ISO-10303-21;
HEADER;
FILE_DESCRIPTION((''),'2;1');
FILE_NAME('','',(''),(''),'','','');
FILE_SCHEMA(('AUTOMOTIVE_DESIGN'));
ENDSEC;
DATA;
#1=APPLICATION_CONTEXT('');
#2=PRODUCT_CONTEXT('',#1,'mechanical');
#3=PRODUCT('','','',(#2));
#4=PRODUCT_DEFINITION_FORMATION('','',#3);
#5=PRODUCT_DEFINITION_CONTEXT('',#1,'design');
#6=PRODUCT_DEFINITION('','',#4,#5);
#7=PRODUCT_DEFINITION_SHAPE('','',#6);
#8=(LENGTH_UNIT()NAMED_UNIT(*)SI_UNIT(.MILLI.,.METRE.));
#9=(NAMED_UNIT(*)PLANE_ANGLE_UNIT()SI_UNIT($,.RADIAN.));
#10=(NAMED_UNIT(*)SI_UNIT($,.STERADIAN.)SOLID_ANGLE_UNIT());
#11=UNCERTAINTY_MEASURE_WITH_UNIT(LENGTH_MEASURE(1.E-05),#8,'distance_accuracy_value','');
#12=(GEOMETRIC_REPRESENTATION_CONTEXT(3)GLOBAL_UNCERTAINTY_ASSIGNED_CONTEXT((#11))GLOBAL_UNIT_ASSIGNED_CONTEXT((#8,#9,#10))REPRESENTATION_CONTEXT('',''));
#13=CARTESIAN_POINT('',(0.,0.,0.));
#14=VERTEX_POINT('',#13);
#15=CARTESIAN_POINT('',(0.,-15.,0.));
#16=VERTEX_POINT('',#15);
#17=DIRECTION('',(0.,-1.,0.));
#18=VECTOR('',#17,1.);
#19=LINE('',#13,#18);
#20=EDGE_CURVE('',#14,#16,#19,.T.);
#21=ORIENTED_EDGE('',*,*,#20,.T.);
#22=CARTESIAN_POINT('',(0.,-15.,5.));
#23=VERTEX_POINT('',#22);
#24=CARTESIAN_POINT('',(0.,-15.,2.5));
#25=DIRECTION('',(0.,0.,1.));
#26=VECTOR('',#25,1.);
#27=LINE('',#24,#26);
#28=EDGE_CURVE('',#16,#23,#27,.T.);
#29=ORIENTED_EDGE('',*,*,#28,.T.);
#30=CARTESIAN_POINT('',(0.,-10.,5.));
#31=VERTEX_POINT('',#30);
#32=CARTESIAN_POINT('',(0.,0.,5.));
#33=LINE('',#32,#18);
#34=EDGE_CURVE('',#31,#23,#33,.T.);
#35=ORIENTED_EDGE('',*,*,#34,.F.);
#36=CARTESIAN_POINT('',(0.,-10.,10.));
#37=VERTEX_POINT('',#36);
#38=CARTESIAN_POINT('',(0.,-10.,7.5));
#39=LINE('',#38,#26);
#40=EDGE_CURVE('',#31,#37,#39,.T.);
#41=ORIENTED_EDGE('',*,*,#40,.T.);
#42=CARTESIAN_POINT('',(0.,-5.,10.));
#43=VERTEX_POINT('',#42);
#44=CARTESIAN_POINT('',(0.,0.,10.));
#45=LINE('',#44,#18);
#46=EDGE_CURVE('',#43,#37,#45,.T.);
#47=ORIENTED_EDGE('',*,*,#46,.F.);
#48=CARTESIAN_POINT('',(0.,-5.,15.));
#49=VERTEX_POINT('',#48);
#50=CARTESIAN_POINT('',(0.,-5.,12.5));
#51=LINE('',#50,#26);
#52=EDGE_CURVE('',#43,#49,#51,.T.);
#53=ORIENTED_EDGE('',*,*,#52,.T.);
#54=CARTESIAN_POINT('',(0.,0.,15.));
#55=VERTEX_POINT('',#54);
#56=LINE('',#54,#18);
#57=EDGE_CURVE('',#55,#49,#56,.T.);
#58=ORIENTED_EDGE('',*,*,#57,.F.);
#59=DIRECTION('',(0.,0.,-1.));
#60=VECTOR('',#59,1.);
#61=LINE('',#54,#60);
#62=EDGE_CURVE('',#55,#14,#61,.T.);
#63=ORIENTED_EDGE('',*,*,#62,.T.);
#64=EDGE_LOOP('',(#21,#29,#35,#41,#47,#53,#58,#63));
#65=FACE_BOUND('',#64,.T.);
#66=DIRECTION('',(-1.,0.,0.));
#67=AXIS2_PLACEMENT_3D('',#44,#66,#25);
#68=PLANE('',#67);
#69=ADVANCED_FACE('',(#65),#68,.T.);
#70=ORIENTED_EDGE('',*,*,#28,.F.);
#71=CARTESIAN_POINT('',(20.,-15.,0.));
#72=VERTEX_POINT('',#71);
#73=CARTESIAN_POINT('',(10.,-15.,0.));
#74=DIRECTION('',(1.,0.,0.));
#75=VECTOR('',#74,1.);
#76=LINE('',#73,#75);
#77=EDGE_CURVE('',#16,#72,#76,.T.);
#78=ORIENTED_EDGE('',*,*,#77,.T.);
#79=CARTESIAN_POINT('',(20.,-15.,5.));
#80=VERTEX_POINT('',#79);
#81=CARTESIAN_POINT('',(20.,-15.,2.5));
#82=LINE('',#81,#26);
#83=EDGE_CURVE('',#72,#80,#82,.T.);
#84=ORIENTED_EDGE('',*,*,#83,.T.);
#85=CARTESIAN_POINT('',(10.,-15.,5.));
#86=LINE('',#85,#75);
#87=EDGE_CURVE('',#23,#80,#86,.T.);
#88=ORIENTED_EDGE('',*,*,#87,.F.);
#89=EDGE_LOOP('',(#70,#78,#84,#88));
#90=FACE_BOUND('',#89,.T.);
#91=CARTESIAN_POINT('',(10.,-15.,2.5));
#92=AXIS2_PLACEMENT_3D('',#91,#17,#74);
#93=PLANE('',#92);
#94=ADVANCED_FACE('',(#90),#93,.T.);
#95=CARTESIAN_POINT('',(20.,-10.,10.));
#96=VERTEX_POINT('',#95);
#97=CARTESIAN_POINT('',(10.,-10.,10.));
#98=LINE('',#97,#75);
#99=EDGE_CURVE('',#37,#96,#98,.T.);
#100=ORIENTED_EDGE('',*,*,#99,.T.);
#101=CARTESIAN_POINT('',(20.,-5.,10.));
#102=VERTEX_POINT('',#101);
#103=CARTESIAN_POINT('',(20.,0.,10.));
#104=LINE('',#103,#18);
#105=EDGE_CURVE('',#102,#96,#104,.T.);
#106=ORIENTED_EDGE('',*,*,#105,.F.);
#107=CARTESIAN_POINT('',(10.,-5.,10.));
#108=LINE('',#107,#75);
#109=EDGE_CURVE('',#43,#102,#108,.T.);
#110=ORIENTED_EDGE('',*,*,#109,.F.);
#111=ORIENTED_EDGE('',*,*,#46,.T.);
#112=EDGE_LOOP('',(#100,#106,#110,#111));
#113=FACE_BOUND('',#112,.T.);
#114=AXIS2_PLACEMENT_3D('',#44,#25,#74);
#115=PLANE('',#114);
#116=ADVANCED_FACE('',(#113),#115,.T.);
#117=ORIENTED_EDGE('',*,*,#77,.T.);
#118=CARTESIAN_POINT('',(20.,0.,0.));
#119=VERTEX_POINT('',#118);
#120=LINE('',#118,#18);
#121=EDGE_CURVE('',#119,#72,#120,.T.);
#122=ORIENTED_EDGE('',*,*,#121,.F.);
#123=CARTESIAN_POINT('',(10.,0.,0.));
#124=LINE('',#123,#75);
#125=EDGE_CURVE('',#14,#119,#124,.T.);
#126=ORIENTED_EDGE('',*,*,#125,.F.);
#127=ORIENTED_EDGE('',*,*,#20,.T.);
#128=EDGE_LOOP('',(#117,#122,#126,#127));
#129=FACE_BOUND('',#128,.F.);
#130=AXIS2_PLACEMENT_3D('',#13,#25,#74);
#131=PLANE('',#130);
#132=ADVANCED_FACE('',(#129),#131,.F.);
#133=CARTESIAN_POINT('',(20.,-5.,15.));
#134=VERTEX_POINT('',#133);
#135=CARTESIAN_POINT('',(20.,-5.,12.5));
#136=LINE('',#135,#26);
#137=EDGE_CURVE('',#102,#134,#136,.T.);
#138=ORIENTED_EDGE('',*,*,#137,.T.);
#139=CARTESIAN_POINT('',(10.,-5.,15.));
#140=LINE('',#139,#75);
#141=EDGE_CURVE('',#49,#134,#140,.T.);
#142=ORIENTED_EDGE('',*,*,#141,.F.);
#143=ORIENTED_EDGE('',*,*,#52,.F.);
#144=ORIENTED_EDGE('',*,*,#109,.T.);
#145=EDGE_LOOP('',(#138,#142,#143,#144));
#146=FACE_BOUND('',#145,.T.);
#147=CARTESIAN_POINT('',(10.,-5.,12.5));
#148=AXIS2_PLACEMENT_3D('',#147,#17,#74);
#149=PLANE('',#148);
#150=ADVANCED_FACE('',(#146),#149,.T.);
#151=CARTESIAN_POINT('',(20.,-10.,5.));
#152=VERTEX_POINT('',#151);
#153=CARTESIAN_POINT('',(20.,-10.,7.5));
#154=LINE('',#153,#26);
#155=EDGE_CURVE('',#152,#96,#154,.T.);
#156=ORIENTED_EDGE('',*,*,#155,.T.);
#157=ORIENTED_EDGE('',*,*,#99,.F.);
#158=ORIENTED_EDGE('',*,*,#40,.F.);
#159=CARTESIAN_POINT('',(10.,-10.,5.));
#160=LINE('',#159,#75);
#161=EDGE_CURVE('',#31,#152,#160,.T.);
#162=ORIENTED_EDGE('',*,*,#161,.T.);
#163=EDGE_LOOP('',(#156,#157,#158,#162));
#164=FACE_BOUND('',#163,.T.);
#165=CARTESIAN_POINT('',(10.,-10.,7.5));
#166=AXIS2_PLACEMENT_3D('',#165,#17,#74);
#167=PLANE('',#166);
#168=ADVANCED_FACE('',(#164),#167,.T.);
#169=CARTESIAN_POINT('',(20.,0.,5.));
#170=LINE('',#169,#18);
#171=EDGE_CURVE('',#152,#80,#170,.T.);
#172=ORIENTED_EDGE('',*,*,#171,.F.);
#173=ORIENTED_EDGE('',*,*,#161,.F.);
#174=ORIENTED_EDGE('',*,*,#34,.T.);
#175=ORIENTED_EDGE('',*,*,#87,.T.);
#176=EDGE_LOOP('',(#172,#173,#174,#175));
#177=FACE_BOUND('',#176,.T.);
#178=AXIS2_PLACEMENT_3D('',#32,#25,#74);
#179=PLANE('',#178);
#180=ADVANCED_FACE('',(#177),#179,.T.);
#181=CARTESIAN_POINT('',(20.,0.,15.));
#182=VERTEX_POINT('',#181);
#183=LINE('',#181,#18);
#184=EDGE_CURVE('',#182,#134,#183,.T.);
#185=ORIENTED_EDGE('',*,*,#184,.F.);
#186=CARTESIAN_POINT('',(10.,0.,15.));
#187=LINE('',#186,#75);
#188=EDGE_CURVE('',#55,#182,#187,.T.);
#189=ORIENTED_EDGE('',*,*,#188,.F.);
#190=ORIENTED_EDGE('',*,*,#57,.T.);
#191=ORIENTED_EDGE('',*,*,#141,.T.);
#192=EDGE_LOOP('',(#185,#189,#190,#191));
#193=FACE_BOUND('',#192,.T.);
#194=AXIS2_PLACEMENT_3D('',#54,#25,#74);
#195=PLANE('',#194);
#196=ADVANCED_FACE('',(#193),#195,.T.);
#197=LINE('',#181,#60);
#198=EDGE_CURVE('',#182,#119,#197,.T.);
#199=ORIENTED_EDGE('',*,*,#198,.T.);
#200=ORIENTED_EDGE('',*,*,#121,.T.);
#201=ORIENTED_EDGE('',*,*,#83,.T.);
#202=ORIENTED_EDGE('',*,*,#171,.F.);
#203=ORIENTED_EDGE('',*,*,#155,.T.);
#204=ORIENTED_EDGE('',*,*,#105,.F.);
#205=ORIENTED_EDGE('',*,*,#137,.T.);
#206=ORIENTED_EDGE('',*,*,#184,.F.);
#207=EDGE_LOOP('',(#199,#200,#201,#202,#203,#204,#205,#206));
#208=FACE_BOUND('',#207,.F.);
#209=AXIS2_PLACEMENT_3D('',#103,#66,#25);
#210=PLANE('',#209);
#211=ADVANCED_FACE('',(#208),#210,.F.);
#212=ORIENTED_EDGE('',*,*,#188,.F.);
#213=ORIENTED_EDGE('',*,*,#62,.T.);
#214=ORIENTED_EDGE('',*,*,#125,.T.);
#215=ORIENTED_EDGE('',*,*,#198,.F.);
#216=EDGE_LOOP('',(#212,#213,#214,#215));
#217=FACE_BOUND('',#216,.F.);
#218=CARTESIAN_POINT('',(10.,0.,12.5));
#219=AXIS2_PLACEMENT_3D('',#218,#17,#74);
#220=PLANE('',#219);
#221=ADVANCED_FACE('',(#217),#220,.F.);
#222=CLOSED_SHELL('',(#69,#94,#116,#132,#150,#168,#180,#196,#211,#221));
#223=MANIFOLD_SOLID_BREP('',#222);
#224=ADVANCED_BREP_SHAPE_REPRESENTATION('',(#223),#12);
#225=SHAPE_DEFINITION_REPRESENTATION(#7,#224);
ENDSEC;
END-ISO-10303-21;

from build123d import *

# Parameters (mm, degrees)
F0_W     = 20
F0_H     = 5
F1_DEPTH = 15
F2_DEPTH = 10
F3_DEPTH = 5


with BuildPart() as f1:
    # F0 (on Front) → F1 (new body)
    with BuildSketch(Plane.XZ):
        with Locations((10, 2.5)):
            Rectangle(F0_W, F0_H)
    extrude(amount=F1_DEPTH)

    # F0 (on Front) → F2 (join)
    with BuildSketch(Plane.XZ):
        with Locations((10, 7.5)):
            Rectangle(F0_W, F0_H)
    extrude(amount=F2_DEPTH)

    # F0 (on Front) → F3 (join)
    with BuildSketch(Plane.XZ):
        with Locations((10, 12.5)):
            Rectangle(F0_W, F0_H)
    extrude(amount=F3_DEPTH)


solid = f1.part
